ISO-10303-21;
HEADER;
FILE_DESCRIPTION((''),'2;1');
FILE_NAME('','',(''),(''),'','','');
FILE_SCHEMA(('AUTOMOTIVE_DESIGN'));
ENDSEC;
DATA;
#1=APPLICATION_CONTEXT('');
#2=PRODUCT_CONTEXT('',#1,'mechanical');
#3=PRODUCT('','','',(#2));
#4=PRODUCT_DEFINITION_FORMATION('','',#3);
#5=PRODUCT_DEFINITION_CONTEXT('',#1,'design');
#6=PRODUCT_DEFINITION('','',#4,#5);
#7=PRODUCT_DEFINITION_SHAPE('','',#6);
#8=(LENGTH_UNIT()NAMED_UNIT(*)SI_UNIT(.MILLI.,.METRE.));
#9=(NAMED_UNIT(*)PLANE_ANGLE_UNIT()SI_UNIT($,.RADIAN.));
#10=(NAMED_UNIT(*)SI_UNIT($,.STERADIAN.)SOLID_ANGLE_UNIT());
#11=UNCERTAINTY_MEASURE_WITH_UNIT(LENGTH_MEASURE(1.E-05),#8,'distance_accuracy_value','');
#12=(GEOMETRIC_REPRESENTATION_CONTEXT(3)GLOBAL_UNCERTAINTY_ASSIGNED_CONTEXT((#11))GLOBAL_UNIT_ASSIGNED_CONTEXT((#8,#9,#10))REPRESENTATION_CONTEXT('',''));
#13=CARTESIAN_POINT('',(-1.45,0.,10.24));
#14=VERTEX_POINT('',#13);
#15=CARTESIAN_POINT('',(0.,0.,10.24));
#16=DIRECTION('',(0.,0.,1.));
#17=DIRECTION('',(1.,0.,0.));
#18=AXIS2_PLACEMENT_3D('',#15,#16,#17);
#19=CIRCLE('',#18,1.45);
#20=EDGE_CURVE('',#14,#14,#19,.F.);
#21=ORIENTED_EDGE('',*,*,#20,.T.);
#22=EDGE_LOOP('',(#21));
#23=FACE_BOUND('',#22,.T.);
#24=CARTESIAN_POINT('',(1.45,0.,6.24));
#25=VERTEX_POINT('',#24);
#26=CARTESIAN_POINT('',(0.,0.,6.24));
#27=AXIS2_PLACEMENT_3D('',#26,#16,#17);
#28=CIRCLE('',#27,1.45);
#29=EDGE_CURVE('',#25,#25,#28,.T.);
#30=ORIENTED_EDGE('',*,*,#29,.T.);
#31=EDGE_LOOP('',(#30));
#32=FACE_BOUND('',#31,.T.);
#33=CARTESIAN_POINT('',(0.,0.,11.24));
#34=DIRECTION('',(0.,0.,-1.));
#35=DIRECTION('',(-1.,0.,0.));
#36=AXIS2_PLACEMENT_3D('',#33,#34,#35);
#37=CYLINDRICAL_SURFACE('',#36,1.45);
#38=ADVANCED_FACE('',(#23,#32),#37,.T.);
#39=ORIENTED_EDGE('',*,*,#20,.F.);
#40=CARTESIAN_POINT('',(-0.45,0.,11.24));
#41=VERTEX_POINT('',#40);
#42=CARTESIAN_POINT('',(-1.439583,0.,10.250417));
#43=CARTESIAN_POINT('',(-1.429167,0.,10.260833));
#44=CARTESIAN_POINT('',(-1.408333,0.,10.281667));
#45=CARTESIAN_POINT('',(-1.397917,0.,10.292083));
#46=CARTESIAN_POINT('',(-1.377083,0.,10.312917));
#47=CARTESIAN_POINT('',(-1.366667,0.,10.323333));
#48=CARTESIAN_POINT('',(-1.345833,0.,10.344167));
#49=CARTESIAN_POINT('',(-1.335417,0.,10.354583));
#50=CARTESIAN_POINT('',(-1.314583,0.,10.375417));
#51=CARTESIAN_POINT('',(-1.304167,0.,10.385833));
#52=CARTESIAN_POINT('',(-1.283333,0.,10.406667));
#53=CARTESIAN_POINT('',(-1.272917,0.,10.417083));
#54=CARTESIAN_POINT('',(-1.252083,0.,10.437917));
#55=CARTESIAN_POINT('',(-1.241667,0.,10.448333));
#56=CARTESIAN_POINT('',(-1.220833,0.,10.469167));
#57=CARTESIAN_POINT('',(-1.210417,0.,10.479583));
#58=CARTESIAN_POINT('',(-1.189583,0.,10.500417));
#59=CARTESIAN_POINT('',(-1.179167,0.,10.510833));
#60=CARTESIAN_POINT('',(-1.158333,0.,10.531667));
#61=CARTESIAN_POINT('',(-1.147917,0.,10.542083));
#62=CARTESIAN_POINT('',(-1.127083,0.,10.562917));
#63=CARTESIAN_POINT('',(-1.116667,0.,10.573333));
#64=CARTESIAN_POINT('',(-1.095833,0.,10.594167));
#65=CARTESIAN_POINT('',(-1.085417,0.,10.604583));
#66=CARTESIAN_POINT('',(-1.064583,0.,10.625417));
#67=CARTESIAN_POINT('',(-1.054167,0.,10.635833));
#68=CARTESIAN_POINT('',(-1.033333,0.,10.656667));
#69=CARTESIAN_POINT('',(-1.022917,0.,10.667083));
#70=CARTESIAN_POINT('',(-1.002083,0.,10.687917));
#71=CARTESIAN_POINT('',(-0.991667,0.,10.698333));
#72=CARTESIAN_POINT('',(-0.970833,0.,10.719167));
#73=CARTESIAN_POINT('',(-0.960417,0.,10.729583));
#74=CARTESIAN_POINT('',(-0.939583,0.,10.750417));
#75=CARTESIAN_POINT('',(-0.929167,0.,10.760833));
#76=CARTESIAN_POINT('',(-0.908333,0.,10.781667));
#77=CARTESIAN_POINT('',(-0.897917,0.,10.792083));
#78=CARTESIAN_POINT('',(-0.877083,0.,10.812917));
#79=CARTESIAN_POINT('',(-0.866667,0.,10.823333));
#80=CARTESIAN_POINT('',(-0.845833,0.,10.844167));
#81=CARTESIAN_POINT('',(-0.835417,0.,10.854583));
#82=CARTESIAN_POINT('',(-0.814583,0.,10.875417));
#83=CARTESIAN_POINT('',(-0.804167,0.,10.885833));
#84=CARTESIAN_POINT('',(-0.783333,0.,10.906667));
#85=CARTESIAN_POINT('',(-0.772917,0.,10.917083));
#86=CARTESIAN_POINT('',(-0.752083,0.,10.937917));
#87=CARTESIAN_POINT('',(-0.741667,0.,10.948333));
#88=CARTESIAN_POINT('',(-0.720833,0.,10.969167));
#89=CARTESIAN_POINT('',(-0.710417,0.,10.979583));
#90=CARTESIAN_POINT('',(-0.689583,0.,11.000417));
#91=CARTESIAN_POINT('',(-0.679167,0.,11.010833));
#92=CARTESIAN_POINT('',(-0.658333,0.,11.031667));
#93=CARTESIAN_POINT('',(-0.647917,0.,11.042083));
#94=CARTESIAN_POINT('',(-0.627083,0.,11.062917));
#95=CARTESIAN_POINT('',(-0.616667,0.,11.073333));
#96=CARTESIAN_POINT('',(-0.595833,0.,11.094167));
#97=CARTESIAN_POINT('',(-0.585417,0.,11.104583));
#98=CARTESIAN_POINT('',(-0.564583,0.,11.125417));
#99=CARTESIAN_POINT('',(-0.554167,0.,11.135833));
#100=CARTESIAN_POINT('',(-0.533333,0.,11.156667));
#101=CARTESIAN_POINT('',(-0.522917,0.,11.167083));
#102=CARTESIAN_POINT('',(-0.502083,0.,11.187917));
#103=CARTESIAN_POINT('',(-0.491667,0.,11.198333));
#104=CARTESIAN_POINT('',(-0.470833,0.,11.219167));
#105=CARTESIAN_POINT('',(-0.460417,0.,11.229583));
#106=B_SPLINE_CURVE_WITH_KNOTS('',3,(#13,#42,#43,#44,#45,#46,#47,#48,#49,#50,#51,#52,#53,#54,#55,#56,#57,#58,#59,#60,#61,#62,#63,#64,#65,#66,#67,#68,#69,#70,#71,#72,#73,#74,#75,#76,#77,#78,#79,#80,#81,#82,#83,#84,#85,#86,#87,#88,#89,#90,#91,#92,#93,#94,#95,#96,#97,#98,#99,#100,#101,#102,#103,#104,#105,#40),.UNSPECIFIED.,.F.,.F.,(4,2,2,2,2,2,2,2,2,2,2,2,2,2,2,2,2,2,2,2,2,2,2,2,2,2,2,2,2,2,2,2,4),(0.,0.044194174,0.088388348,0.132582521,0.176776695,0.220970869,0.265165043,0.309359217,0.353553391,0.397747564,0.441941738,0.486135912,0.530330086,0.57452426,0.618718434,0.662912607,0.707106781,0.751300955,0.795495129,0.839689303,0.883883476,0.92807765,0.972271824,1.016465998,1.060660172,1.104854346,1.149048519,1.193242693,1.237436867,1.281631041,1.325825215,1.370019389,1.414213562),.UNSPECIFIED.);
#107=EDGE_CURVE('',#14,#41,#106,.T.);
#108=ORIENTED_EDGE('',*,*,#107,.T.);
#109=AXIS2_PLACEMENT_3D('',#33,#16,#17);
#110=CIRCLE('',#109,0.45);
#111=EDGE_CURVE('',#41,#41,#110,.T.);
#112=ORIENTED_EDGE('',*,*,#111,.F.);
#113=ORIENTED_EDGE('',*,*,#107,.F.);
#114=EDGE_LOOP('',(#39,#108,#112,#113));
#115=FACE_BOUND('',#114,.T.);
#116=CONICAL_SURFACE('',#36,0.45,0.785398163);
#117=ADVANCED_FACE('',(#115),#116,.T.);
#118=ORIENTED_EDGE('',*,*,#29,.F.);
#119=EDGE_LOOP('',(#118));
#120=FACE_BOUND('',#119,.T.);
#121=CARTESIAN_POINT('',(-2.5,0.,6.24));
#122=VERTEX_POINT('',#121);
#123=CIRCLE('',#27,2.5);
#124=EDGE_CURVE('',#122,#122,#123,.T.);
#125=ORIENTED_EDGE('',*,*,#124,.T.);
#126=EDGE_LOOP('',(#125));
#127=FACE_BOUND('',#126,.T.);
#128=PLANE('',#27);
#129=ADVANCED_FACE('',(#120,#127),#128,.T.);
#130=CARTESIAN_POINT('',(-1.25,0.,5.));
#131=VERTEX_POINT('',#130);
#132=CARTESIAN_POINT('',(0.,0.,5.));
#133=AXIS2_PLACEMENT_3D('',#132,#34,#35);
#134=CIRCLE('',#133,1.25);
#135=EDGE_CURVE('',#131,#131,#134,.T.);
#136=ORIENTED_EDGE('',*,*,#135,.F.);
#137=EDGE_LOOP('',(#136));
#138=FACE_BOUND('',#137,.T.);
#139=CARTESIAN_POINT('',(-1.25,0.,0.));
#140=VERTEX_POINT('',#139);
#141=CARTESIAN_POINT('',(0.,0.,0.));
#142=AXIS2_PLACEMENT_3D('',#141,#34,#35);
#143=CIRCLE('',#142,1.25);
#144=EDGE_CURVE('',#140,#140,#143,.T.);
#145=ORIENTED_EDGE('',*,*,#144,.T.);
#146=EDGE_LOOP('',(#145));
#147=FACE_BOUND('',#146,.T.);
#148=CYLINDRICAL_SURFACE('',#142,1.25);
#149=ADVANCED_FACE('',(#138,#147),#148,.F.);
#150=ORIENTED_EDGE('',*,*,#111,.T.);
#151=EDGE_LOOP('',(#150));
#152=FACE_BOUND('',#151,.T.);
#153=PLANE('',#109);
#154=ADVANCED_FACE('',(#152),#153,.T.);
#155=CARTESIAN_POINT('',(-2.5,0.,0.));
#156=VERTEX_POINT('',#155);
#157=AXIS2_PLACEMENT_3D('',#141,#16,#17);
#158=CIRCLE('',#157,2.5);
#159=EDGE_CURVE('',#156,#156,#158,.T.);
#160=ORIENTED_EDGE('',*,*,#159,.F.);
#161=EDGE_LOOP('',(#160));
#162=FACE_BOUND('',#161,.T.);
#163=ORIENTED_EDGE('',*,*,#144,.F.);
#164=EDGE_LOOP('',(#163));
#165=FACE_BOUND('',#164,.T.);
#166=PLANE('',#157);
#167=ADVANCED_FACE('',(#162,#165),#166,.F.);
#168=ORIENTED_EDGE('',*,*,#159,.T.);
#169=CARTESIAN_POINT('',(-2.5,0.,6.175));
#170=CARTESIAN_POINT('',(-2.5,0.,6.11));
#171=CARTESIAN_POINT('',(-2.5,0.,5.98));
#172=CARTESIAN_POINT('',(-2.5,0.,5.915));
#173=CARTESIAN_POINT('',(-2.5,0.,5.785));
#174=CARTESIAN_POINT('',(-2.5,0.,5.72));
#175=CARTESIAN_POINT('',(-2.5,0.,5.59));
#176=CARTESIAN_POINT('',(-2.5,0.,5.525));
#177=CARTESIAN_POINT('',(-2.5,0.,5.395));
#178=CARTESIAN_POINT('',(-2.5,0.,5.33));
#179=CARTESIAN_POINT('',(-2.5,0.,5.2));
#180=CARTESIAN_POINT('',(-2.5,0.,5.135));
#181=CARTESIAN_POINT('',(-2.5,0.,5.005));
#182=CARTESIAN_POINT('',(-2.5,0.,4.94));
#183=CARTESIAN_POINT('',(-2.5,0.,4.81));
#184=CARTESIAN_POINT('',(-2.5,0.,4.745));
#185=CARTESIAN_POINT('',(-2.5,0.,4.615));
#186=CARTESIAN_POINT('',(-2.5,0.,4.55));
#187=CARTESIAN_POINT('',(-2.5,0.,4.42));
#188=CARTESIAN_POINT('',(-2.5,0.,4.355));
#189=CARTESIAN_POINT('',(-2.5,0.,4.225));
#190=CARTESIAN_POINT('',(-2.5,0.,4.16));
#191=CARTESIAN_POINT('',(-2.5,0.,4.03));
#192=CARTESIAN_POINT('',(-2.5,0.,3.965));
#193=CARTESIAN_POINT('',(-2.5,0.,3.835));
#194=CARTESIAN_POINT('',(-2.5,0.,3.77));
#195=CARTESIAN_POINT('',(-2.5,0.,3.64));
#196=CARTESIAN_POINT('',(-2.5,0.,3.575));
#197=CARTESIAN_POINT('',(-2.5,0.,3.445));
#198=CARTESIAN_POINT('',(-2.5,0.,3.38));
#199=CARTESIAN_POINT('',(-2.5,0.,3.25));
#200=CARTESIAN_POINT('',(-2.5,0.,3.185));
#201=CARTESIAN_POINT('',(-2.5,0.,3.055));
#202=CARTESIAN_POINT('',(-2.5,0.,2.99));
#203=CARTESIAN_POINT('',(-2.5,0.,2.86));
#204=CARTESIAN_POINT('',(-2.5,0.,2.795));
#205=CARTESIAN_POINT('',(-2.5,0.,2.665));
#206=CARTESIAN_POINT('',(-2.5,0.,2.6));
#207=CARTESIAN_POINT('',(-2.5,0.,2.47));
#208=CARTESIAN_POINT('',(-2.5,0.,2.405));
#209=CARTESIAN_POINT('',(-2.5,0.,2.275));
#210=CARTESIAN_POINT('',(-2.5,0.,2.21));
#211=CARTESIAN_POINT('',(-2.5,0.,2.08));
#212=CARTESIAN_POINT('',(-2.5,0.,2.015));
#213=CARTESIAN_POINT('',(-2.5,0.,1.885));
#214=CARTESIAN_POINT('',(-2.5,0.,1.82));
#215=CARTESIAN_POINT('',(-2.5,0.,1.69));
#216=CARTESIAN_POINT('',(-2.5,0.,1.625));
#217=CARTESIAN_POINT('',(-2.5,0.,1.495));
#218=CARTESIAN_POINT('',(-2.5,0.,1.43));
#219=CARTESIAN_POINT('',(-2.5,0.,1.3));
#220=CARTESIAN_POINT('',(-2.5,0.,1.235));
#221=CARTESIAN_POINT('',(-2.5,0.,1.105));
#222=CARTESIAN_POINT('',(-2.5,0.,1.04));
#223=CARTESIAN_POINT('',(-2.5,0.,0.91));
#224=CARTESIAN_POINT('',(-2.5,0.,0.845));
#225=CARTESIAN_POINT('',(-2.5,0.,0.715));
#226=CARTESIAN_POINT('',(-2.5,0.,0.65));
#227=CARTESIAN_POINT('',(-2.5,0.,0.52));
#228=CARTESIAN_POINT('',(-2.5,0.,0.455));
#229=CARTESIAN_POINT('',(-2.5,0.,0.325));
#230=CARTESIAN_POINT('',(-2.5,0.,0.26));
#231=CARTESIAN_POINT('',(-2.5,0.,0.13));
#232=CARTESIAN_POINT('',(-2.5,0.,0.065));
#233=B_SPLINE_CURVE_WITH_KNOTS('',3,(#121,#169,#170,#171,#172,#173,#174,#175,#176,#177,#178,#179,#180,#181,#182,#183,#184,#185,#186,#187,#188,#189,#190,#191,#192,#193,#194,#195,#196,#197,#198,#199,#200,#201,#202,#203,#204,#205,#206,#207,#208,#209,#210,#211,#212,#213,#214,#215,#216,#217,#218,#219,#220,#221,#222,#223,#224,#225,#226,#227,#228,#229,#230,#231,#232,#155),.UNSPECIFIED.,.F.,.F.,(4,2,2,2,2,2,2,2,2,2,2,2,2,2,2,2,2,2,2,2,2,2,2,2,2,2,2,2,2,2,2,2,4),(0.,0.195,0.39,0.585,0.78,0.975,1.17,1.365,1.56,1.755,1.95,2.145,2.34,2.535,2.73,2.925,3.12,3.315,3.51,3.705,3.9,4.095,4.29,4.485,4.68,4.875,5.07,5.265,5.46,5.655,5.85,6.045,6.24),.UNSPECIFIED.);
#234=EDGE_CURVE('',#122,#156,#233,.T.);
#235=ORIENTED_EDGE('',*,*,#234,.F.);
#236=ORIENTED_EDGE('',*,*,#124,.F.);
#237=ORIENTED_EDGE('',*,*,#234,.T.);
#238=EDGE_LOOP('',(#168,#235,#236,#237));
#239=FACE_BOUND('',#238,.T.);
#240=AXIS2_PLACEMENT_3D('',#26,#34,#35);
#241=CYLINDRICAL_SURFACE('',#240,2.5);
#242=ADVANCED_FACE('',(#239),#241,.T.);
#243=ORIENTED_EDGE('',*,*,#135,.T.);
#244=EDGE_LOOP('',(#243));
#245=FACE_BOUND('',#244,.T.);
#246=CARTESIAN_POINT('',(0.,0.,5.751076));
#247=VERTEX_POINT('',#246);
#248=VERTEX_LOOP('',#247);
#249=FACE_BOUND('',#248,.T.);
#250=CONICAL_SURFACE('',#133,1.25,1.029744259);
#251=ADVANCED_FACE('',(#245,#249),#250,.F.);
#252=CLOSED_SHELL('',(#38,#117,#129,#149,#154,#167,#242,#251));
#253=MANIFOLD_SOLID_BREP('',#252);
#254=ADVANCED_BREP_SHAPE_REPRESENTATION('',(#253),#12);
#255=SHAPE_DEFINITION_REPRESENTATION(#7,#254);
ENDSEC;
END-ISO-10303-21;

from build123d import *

# Parameters (mm, degrees)
SKETCH_1_R      = 2.5
EXTRUDE_1_DEPTH = 6.24
SKETCH_2_R      = 1.45
EXTRUDE_2_DEPTH = 5
M3X0_51_D       = 2.5
M3X0_51_DEPTH   = 5
M3X0_51_TIP     = 0.751075774
CHAMFER_1_SIZE  = 1


with BuildPart() as part:
    # Эскиз1 → Бобышка-Вытянуть1 (new body)
    with BuildSketch(Plane.XY):
        with Locations(Location((0, 0, 0), (0, 0, 180))):
            Circle(SKETCH_1_R)
    extrude(amount=EXTRUDE_1_DEPTH)

    # Эскиз2 → Бобышка-Вытянуть2 (add)
    with BuildSketch(Plane.XY.offset(6.24)):
        Circle(SKETCH_2_R)
    extrude(amount=EXTRUDE_2_DEPTH)

    # Отверстие обработанное метчиком M3x0.51
    with Locations(Plane(origin=(0, 0, 0), x_dir=(-1, 0, 0), z_dir=(0, 0, -1))):
        with Locations((0, 0)):
            Hole(M3X0_51_D / 2, depth=M3X0_51_DEPTH)
            with Locations((0, 0, -(M3X0_51_DEPTH + M3X0_51_TIP / 2))):  # 118° drill point
                Cone(0, M3X0_51_D / 2, M3X0_51_TIP, mode=Mode.SUBTRACT)

    # Фаска1
    chamfer_1_edges = [part.edges().sort_by_distance(p)[0] for p in [
        (-1.45, 0, 11.24),
    ]]
    chamfer(chamfer_1_edges, length=CHAMFER_1_SIZE)


solid = part.part
